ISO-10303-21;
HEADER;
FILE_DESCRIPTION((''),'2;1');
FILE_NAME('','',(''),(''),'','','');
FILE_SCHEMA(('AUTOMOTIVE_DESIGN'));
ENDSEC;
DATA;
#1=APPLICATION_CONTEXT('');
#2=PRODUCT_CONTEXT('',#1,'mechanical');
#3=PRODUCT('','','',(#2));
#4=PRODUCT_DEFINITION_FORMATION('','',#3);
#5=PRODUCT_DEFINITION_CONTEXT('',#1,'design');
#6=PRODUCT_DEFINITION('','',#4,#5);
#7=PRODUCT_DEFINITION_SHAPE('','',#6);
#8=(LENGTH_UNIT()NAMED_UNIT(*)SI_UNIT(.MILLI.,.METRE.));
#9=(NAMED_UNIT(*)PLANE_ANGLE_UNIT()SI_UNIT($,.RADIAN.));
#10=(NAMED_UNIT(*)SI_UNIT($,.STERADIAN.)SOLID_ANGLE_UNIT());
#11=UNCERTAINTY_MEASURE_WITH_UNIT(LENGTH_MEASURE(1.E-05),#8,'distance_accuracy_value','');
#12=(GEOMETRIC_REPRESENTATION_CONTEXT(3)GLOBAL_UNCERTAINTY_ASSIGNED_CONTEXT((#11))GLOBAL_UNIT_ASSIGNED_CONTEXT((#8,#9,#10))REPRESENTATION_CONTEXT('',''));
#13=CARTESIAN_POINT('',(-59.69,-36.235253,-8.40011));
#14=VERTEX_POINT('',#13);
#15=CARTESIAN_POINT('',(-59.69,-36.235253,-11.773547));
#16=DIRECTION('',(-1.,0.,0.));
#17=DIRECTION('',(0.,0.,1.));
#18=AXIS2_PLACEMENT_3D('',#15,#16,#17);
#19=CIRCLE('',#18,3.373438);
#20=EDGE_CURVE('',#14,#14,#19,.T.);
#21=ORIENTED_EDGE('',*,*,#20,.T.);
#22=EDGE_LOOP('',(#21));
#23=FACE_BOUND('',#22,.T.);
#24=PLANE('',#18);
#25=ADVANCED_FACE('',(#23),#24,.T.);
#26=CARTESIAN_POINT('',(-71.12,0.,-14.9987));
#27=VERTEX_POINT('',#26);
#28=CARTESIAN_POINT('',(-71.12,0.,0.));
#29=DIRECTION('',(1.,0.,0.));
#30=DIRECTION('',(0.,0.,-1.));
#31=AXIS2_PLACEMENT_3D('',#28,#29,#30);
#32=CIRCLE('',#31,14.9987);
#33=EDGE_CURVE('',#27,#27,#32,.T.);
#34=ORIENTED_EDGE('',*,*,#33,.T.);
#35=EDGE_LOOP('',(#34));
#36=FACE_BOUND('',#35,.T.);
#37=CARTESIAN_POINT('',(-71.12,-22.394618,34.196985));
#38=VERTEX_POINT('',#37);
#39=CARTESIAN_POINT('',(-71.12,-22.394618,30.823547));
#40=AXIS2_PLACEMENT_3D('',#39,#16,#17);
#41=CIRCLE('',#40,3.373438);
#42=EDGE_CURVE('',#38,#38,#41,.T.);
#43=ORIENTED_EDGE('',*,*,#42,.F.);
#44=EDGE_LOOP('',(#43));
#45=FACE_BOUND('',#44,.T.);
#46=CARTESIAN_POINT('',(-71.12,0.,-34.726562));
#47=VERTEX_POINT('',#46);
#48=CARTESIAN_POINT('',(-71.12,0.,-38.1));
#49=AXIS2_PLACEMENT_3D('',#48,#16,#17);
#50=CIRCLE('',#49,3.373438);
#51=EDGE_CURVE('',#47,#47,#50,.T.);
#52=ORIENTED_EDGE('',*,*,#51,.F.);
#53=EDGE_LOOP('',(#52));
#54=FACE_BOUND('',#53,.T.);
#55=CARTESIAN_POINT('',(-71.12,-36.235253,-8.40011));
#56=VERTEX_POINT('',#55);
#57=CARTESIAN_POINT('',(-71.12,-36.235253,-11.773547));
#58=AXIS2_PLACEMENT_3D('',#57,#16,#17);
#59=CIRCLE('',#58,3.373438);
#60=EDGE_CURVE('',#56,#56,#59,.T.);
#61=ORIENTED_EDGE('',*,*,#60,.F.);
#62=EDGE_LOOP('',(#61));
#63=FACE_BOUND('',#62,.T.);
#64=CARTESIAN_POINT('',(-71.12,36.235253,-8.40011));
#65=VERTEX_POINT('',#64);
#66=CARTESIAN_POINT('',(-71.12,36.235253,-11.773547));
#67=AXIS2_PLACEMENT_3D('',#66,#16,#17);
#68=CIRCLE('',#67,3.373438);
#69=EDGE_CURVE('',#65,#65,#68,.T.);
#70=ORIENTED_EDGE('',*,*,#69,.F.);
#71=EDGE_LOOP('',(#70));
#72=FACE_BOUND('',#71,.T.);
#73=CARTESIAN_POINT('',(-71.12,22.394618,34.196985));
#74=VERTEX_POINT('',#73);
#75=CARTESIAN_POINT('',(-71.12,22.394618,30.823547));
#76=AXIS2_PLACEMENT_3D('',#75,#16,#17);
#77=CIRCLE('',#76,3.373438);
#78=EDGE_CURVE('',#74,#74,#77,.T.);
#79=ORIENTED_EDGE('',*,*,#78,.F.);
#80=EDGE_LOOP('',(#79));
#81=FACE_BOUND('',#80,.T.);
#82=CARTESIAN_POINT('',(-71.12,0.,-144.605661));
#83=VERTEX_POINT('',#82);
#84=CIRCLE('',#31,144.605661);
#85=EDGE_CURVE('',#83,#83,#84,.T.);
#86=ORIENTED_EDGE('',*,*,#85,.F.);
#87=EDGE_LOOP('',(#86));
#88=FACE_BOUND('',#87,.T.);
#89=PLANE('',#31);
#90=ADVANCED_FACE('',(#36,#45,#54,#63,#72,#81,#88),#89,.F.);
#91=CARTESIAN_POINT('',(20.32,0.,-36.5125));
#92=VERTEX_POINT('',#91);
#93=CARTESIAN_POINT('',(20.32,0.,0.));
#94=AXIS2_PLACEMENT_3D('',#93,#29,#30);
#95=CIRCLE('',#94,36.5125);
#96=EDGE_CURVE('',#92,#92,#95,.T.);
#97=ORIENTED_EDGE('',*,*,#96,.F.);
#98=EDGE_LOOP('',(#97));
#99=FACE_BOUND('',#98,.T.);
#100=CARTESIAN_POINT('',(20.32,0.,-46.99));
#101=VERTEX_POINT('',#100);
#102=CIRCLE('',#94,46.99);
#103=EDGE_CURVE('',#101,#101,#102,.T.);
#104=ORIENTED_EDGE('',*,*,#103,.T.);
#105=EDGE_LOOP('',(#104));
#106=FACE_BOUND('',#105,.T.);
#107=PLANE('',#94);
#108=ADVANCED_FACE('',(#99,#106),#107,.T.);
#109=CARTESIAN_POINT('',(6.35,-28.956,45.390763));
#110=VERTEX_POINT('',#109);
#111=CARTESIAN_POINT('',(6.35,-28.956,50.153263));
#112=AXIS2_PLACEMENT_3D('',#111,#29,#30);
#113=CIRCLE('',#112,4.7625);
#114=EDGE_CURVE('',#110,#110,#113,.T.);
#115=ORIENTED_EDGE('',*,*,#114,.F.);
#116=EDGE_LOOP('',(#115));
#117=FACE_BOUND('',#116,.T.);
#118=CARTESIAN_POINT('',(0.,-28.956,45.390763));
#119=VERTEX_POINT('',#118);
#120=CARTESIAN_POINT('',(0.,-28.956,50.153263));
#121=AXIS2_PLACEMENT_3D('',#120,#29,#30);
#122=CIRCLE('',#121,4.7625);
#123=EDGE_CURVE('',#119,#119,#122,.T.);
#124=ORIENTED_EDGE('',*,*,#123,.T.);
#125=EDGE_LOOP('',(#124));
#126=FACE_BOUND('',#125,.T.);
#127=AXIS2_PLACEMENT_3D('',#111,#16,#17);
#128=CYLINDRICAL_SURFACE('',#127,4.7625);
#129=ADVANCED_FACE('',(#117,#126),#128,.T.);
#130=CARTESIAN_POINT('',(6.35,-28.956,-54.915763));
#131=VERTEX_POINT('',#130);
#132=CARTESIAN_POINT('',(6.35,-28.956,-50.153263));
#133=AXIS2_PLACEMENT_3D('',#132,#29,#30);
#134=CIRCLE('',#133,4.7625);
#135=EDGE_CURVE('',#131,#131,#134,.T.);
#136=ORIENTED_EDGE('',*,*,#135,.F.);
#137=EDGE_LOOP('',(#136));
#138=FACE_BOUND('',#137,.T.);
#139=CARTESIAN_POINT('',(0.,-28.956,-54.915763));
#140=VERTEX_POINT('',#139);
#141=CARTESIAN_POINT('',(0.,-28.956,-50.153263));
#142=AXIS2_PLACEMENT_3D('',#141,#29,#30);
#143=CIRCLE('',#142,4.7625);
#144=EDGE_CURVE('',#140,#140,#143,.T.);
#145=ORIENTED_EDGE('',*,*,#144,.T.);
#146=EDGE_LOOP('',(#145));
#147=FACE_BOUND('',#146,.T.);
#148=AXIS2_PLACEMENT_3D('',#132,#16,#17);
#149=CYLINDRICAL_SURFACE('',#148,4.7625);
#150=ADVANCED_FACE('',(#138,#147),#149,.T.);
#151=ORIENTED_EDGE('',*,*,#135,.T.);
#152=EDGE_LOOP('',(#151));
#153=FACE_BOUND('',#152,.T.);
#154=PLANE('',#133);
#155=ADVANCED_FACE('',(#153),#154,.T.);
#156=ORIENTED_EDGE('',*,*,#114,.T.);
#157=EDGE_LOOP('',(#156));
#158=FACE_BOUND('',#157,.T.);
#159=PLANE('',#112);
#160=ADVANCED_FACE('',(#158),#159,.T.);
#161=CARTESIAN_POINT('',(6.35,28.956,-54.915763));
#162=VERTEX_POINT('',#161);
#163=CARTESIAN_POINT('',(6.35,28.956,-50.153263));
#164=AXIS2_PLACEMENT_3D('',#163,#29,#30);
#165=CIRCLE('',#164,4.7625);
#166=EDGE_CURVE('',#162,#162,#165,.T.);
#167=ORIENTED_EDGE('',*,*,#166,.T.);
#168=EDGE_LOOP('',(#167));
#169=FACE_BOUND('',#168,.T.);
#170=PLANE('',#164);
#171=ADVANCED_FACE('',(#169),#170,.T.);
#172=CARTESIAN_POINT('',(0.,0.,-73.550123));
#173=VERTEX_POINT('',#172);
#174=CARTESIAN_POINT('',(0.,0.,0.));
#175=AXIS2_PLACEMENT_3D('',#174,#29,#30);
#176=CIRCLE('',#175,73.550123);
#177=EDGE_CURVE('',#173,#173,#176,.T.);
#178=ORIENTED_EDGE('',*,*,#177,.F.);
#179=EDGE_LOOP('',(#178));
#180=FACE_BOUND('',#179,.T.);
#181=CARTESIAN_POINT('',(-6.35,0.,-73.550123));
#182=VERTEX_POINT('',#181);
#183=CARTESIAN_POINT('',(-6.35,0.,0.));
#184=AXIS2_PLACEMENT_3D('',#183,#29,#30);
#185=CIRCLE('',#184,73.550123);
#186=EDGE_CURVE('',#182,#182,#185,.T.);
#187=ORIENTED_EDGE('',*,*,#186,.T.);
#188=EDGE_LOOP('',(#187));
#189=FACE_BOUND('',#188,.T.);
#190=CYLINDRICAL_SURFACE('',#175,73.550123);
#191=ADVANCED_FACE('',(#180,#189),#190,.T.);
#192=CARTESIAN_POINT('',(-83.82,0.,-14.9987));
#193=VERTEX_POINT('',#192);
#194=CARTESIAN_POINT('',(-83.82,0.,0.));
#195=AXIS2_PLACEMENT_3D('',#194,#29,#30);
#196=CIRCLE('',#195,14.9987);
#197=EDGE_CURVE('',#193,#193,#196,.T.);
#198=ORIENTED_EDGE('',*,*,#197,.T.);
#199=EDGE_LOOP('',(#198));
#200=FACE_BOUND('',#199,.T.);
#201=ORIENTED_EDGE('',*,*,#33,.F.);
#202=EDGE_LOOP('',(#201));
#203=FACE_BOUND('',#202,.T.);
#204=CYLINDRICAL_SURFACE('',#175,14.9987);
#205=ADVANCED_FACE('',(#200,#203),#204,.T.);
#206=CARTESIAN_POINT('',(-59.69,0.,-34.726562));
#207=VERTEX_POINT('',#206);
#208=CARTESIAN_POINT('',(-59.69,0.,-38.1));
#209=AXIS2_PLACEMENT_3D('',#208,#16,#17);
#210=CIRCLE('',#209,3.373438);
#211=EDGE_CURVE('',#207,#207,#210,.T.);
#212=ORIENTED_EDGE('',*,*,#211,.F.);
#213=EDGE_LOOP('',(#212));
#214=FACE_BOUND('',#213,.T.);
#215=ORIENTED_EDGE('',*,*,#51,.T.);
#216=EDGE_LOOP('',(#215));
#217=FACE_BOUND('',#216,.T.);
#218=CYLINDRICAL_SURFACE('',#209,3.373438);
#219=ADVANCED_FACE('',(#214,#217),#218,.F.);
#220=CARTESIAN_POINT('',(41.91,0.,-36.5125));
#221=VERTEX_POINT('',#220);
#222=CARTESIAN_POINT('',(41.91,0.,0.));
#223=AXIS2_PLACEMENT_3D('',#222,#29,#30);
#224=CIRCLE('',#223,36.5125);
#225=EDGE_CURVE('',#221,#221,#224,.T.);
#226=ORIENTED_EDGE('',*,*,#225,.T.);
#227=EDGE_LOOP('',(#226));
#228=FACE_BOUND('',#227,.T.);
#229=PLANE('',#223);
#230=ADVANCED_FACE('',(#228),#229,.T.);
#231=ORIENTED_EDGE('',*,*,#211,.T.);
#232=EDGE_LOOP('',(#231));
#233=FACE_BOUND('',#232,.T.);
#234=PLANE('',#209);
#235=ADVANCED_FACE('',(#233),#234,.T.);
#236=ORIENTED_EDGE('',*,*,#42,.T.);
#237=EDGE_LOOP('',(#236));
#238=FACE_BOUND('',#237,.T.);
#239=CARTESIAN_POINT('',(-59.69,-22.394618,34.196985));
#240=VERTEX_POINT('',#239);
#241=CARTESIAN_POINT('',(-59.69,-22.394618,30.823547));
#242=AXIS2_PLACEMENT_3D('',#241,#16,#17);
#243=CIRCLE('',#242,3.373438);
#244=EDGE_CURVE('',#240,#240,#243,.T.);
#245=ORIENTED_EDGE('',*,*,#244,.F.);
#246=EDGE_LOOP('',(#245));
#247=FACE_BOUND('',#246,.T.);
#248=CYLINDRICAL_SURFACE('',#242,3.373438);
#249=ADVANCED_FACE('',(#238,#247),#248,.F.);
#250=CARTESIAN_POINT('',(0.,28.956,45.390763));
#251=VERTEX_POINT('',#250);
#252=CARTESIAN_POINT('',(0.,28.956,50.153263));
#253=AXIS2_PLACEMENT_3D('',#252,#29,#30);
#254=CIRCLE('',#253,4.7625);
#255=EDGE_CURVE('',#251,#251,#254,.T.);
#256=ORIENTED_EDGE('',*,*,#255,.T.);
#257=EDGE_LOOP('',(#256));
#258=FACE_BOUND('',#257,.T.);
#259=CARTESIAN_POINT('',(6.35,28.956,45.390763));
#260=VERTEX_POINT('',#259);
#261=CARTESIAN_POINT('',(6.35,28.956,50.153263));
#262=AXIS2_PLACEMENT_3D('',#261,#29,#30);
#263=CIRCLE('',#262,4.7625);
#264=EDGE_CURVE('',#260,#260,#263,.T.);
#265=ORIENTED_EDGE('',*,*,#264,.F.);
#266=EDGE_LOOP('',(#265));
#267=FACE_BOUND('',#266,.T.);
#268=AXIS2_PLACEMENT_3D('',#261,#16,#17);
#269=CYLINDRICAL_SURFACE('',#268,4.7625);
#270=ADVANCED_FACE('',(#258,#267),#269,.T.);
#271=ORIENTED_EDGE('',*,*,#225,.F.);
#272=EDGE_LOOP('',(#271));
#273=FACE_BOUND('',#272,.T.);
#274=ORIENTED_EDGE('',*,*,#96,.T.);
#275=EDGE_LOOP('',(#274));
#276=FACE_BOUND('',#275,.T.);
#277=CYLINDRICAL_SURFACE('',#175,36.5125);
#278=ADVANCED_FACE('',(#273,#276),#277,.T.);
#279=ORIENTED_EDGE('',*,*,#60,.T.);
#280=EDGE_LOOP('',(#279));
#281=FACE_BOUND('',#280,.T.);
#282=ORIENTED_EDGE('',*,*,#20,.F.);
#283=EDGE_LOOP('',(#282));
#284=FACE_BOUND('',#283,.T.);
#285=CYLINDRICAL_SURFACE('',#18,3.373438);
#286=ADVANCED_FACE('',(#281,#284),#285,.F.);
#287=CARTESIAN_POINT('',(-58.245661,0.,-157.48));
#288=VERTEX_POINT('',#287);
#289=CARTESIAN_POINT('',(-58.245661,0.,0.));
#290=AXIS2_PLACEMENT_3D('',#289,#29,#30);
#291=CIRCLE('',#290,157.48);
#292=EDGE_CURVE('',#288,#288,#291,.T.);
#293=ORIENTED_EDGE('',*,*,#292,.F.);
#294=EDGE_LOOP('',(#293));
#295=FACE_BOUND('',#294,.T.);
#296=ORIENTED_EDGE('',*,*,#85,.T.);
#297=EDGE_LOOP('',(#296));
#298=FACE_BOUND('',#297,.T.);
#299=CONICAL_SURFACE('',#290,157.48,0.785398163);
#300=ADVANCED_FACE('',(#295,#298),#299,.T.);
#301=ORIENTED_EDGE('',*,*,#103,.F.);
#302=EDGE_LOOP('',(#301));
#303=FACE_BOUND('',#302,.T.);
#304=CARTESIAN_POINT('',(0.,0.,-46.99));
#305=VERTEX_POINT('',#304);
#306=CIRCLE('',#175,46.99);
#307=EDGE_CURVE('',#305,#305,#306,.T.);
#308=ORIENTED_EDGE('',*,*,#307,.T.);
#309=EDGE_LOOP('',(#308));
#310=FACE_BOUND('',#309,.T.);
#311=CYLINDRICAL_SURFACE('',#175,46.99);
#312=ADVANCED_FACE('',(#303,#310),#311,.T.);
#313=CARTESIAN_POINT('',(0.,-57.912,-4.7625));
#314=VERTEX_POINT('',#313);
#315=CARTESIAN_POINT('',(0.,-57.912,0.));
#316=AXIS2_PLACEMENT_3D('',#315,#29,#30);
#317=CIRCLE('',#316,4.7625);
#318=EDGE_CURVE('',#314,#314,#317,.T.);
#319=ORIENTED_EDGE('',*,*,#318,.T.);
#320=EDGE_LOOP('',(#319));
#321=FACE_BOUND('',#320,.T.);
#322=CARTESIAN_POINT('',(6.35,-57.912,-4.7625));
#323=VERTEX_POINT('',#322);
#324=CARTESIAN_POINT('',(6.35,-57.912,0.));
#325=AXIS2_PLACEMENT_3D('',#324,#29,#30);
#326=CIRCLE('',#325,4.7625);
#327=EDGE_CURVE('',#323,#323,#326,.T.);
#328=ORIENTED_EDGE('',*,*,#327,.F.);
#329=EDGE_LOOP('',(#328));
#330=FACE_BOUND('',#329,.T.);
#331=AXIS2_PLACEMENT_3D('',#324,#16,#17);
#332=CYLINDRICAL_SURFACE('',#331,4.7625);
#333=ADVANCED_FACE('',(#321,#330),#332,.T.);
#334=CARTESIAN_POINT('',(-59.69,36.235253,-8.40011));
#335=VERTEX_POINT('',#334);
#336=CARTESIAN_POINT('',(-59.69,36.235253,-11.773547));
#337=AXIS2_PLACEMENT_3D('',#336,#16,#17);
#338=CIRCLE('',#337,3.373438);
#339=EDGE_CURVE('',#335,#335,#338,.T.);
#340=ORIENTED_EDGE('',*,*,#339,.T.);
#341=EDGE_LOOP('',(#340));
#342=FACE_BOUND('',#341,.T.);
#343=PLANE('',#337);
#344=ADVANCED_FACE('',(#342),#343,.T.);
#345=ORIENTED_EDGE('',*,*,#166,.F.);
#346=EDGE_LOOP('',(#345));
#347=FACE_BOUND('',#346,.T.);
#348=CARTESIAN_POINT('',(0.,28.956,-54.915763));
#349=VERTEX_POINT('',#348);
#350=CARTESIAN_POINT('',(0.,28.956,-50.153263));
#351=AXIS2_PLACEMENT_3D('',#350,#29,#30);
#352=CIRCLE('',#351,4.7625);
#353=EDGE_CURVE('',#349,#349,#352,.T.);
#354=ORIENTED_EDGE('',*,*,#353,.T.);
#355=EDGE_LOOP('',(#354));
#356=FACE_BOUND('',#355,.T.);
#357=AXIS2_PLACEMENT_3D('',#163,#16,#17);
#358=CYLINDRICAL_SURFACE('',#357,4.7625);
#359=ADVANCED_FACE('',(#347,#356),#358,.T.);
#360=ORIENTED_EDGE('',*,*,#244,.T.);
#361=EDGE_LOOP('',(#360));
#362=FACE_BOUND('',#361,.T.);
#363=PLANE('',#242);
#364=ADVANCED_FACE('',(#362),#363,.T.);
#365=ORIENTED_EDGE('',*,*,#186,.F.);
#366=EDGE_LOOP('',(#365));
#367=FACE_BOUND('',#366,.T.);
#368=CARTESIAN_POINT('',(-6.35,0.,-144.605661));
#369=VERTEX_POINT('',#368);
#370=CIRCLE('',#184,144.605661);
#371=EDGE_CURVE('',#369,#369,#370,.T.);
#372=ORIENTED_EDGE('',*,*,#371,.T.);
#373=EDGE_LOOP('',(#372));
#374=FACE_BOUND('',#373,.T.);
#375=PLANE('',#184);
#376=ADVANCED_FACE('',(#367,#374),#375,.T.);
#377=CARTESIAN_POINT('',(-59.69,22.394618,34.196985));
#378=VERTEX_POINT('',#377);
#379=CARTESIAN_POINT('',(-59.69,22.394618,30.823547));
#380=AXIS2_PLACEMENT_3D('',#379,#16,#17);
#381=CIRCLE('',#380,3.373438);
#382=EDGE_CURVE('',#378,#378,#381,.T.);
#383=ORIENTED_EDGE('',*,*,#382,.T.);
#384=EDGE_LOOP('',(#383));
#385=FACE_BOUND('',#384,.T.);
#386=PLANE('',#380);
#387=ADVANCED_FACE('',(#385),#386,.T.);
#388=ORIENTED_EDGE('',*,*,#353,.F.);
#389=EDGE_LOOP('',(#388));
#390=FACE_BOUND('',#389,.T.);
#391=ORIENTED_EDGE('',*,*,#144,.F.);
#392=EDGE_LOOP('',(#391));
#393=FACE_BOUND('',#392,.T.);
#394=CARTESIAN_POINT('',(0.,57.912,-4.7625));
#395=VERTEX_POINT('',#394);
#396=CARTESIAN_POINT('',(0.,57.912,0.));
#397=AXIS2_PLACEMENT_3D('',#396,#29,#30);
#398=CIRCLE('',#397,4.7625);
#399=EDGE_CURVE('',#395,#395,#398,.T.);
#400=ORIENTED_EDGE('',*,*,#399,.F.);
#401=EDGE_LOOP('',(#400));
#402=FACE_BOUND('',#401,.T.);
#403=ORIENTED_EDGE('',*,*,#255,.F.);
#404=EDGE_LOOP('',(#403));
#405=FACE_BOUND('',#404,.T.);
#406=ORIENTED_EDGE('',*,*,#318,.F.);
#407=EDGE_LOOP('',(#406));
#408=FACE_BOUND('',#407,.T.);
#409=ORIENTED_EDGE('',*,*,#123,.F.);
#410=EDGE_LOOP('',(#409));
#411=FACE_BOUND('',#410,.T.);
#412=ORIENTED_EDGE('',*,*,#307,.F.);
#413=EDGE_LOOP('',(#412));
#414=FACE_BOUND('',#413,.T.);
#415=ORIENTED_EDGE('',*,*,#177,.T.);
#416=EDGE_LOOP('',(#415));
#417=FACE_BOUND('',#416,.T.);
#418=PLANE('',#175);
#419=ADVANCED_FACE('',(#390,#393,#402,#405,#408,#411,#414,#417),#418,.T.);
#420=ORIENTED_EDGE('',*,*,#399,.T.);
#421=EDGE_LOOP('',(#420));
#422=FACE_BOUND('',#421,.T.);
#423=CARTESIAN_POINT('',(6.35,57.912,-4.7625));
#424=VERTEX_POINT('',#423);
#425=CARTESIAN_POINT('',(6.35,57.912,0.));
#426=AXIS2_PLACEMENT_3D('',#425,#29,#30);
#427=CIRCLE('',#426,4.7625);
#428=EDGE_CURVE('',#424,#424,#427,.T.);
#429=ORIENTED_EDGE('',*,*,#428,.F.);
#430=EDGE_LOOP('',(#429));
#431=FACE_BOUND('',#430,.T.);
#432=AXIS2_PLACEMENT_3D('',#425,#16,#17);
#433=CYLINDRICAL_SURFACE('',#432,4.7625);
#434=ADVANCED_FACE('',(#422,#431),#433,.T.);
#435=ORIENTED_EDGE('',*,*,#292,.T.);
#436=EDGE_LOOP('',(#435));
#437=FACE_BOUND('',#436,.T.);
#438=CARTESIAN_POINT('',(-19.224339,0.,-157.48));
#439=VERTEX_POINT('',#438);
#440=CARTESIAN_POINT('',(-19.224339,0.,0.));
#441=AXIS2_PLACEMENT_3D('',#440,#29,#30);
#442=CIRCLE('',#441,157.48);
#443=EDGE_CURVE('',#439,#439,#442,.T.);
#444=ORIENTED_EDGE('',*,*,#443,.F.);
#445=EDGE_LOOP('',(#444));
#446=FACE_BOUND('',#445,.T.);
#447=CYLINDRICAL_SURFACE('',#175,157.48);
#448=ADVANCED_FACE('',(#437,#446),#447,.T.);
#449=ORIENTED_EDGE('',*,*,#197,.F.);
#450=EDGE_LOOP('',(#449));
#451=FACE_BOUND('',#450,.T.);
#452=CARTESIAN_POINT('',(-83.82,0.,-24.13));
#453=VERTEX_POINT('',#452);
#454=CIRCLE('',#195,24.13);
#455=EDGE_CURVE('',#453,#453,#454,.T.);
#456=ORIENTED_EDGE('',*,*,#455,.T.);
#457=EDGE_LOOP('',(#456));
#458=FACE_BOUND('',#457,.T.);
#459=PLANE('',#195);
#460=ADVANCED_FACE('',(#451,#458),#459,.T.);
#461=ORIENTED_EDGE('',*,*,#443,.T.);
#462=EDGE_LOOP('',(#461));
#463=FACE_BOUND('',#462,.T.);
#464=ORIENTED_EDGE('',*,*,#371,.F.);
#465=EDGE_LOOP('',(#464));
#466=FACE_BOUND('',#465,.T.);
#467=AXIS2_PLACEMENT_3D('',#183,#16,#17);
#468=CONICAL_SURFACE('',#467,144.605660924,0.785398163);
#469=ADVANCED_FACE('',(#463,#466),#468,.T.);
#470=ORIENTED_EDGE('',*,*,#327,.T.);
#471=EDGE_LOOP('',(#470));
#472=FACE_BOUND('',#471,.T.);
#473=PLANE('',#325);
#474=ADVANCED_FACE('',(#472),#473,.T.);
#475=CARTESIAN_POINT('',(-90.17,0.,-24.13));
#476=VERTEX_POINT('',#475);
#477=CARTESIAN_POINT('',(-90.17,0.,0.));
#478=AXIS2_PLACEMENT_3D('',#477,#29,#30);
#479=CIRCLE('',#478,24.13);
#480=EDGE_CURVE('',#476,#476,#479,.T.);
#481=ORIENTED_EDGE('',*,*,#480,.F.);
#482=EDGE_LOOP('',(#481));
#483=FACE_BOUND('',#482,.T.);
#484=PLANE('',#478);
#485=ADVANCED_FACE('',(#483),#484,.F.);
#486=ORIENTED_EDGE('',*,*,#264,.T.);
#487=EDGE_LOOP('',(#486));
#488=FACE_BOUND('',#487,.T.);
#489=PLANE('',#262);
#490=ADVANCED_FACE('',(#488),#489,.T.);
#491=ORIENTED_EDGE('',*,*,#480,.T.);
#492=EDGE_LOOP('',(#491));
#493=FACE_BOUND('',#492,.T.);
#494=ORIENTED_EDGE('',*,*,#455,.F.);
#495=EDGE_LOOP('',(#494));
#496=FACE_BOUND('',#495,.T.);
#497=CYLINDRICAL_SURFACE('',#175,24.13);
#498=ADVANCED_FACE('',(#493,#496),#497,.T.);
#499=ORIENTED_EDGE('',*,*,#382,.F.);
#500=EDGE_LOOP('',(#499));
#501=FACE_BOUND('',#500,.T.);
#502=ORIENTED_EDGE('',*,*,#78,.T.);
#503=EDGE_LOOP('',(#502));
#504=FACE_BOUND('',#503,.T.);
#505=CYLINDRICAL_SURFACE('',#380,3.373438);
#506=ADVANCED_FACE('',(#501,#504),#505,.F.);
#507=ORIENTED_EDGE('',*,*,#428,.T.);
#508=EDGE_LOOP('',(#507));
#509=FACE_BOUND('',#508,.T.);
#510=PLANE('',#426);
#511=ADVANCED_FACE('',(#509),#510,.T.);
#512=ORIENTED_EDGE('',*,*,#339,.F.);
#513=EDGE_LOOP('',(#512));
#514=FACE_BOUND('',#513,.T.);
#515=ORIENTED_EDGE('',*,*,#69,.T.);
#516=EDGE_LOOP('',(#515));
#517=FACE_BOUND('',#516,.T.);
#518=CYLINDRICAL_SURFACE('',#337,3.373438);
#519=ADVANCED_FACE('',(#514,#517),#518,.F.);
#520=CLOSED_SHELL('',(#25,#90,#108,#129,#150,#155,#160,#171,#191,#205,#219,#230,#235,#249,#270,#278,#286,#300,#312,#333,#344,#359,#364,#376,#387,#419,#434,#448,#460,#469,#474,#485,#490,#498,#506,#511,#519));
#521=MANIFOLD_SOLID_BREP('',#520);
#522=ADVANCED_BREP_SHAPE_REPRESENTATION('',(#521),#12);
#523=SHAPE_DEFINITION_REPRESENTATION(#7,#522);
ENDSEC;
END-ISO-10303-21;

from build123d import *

# Parameters (mm, degrees)
SKETCH1_W           = 12.7
SKETCH1_H           = 14.9987
SKETCH1_W_2         = 21.59
SKETCH1_H_2         = 36.5125
SKETCH3_R           = 3.3734375
CUT_EXTRUDE1_DEPTH  = 11.43
SKETCH5_R           = 4.7625
BOSS_EXTRUDE1_DEPTH = 6.35


with BuildPart() as part:
    # Sketch1 → Revolve1 (revolve)
    with BuildSketch(Plane(origin=(0, 0, 0), x_dir=(-1, 0, 0), z_dir=(0, 1, 0)), mode=Mode.PRIVATE) as revolve1_sk:
        Polygon((0, 0), (0, 46.99), (-20.32, 46.99), (-20.32, 36.5125), (-20.32, 0), align=None)
        Polygon((6.35, 73.550123262), (0, 73.550123262), (0, 46.99), (0, 0), (71.12, 0), (71.12, 14.9987), (71.12, 144.605660924), (58.245660924, 157.48), (19.224339076, 157.48), (6.35, 144.605660924), align=None)
        with Locations((77.47, 7.49935)):
            Rectangle(SKETCH1_W, SKETCH1_H)
        Polygon((83.82, 14.9987), (83.82, 0), (90.17, 0), (90.17, 24.13), (83.82, 24.13), align=None)
        with Locations((-31.115, 18.25625)):
            Rectangle(SKETCH1_W_2, SKETCH1_H_2)
    revolve(revolve1_sk.sketch.rotate(Axis((0, 0, 0), (-1, 0, 0)), 180), axis=Axis((0, 0, 0), (-1, 0, 0)))

    # Sketch3 → Cut-Extrude1 (cut)
    with BuildSketch(Plane(origin=(-71.12, 0, 0), x_dir=(0, -1, 0), z_dir=(-1, 0, 0))):
        with Locations(Location((-22.394618112, 30.823547486, 0), (0, 0, 90))):
            Circle(SKETCH3_R)
        with Locations(Location((22.394618112, 30.823547486, 0), (0, 0, 90))):
            Circle(SKETCH3_R)
        with Locations(Location((36.235253271, -11.773547486, 0), (0, 0, 90))):
            Circle(SKETCH3_R)
        with Locations(Location((0, -38.1, 0), (0, 0, 90))):
            Circle(SKETCH3_R)
        with Locations(Location((-36.235253271, -11.773547486, 0), (0, 0, 90))):
            Circle(SKETCH3_R)
    extrude(amount=-CUT_EXTRUDE1_DEPTH, mode=Mode.SUBTRACT)

    # Sketch5 → Boss-Extrude1 (add)
    with BuildSketch(Plane.YZ):
        with Locations(Location((28.956, 50.153263184, 0), (0, 0, 270))):
            Circle(SKETCH5_R)
        with Locations(Location((-28.956, 50.153263184, 0), (0, 0, 270))):
            Circle(SKETCH5_R)
        with Locations(Location((-57.912, 0, 0), (0, 0, 270))):
            Circle(SKETCH5_R)
        with Locations(Location((-28.956, -50.153263184, 0), (0, 0, 270))):
            Circle(SKETCH5_R)
        with Locations(Location((28.956, -50.153263184, 0), (0, 0, 270))):
            Circle(SKETCH5_R)
        with Locations(Location((57.912, 0, 0), (0, 0, 270))):
            Circle(SKETCH5_R)
    extrude(amount=BOSS_EXTRUDE1_DEPTH)


solid = part.part
